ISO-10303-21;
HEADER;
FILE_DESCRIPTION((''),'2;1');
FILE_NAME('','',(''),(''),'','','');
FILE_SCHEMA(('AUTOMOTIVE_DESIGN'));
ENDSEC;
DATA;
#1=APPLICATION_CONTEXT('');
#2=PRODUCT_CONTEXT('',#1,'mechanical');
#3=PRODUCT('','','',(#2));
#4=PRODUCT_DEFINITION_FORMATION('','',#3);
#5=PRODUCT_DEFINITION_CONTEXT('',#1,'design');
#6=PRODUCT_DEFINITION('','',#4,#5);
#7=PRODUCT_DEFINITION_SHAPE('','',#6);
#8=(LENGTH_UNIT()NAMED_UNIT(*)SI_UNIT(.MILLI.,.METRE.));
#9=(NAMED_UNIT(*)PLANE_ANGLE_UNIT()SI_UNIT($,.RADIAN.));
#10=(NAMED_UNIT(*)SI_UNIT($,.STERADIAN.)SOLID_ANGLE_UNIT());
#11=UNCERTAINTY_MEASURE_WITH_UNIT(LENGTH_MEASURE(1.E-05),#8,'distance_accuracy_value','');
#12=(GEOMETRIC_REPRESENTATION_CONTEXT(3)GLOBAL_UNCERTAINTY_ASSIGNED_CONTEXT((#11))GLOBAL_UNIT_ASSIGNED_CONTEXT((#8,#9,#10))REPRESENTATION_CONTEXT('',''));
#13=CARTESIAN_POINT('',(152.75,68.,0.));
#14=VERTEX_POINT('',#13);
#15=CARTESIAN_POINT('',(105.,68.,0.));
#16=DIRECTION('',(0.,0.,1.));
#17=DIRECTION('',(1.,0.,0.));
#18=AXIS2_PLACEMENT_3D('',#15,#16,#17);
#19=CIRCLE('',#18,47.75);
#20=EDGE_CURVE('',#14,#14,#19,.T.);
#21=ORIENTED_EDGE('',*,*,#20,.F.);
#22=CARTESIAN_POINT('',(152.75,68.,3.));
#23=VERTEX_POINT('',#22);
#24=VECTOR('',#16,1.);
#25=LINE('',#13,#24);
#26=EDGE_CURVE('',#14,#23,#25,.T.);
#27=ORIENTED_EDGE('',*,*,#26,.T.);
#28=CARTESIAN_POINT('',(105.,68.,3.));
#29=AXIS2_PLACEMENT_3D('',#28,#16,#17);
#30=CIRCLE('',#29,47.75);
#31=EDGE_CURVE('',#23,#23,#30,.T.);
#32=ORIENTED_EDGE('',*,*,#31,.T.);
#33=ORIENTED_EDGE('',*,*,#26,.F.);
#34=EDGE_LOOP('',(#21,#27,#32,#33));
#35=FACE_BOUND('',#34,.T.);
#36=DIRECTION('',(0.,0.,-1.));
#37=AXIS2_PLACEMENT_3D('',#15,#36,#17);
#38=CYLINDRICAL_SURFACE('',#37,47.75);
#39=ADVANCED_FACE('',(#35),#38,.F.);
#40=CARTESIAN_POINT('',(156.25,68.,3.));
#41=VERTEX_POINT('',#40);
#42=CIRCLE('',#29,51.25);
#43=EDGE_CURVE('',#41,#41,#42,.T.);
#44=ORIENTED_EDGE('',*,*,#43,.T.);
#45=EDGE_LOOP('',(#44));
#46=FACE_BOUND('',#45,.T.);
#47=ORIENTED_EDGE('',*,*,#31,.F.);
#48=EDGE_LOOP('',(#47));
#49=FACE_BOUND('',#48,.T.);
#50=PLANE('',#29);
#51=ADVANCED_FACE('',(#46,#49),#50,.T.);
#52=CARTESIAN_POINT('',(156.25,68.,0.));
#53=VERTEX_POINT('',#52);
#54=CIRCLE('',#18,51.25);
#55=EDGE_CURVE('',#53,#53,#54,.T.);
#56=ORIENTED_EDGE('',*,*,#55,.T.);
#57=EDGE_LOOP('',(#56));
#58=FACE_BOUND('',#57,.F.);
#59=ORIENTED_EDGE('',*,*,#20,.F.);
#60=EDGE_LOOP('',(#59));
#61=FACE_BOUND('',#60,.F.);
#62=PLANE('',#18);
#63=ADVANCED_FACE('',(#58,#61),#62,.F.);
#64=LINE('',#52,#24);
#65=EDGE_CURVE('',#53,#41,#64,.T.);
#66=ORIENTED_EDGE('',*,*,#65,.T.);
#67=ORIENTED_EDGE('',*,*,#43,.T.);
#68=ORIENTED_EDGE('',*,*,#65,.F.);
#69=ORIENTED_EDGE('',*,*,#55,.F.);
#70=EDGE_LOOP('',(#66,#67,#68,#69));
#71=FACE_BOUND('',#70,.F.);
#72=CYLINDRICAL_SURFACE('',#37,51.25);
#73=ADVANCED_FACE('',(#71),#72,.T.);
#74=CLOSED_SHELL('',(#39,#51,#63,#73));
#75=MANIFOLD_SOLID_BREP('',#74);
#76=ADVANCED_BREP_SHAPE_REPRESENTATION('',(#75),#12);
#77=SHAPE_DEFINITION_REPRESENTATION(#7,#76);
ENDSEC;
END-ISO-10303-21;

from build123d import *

# Parameters (mm, degrees)
CYLINDER052_R     = 47.75
CYLINDER052_DEPTH = 3
CYLINDER051_R     = 51.25
CYLINDER051_DEPTH = 3


with BuildPart() as flange002:
    # Cylinder052 → Cylinder052 (new body)
    with BuildSketch(Plane(origin=(105, 68, 0), x_dir=(1, 0, 0), z_dir=(0, 0, 1))):
        Circle(CYLINDER052_R)
    extrude(amount=CYLINDER052_DEPTH)


with BuildPart() as centeringringgroove:
    # Cylinder051 → Cylinder051 (new body)
    with BuildSketch(Plane(origin=(105, 68, 0), x_dir=(1, 0, 0), z_dir=(0, 0, 1))):
        Circle(CYLINDER051_R)
    extrude(amount=CYLINDER051_DEPTH)

    # Cut001: cut Flange002
    add(flange002.part, mode=Mode.SUBTRACT)


solid = centeringringgroove.part
